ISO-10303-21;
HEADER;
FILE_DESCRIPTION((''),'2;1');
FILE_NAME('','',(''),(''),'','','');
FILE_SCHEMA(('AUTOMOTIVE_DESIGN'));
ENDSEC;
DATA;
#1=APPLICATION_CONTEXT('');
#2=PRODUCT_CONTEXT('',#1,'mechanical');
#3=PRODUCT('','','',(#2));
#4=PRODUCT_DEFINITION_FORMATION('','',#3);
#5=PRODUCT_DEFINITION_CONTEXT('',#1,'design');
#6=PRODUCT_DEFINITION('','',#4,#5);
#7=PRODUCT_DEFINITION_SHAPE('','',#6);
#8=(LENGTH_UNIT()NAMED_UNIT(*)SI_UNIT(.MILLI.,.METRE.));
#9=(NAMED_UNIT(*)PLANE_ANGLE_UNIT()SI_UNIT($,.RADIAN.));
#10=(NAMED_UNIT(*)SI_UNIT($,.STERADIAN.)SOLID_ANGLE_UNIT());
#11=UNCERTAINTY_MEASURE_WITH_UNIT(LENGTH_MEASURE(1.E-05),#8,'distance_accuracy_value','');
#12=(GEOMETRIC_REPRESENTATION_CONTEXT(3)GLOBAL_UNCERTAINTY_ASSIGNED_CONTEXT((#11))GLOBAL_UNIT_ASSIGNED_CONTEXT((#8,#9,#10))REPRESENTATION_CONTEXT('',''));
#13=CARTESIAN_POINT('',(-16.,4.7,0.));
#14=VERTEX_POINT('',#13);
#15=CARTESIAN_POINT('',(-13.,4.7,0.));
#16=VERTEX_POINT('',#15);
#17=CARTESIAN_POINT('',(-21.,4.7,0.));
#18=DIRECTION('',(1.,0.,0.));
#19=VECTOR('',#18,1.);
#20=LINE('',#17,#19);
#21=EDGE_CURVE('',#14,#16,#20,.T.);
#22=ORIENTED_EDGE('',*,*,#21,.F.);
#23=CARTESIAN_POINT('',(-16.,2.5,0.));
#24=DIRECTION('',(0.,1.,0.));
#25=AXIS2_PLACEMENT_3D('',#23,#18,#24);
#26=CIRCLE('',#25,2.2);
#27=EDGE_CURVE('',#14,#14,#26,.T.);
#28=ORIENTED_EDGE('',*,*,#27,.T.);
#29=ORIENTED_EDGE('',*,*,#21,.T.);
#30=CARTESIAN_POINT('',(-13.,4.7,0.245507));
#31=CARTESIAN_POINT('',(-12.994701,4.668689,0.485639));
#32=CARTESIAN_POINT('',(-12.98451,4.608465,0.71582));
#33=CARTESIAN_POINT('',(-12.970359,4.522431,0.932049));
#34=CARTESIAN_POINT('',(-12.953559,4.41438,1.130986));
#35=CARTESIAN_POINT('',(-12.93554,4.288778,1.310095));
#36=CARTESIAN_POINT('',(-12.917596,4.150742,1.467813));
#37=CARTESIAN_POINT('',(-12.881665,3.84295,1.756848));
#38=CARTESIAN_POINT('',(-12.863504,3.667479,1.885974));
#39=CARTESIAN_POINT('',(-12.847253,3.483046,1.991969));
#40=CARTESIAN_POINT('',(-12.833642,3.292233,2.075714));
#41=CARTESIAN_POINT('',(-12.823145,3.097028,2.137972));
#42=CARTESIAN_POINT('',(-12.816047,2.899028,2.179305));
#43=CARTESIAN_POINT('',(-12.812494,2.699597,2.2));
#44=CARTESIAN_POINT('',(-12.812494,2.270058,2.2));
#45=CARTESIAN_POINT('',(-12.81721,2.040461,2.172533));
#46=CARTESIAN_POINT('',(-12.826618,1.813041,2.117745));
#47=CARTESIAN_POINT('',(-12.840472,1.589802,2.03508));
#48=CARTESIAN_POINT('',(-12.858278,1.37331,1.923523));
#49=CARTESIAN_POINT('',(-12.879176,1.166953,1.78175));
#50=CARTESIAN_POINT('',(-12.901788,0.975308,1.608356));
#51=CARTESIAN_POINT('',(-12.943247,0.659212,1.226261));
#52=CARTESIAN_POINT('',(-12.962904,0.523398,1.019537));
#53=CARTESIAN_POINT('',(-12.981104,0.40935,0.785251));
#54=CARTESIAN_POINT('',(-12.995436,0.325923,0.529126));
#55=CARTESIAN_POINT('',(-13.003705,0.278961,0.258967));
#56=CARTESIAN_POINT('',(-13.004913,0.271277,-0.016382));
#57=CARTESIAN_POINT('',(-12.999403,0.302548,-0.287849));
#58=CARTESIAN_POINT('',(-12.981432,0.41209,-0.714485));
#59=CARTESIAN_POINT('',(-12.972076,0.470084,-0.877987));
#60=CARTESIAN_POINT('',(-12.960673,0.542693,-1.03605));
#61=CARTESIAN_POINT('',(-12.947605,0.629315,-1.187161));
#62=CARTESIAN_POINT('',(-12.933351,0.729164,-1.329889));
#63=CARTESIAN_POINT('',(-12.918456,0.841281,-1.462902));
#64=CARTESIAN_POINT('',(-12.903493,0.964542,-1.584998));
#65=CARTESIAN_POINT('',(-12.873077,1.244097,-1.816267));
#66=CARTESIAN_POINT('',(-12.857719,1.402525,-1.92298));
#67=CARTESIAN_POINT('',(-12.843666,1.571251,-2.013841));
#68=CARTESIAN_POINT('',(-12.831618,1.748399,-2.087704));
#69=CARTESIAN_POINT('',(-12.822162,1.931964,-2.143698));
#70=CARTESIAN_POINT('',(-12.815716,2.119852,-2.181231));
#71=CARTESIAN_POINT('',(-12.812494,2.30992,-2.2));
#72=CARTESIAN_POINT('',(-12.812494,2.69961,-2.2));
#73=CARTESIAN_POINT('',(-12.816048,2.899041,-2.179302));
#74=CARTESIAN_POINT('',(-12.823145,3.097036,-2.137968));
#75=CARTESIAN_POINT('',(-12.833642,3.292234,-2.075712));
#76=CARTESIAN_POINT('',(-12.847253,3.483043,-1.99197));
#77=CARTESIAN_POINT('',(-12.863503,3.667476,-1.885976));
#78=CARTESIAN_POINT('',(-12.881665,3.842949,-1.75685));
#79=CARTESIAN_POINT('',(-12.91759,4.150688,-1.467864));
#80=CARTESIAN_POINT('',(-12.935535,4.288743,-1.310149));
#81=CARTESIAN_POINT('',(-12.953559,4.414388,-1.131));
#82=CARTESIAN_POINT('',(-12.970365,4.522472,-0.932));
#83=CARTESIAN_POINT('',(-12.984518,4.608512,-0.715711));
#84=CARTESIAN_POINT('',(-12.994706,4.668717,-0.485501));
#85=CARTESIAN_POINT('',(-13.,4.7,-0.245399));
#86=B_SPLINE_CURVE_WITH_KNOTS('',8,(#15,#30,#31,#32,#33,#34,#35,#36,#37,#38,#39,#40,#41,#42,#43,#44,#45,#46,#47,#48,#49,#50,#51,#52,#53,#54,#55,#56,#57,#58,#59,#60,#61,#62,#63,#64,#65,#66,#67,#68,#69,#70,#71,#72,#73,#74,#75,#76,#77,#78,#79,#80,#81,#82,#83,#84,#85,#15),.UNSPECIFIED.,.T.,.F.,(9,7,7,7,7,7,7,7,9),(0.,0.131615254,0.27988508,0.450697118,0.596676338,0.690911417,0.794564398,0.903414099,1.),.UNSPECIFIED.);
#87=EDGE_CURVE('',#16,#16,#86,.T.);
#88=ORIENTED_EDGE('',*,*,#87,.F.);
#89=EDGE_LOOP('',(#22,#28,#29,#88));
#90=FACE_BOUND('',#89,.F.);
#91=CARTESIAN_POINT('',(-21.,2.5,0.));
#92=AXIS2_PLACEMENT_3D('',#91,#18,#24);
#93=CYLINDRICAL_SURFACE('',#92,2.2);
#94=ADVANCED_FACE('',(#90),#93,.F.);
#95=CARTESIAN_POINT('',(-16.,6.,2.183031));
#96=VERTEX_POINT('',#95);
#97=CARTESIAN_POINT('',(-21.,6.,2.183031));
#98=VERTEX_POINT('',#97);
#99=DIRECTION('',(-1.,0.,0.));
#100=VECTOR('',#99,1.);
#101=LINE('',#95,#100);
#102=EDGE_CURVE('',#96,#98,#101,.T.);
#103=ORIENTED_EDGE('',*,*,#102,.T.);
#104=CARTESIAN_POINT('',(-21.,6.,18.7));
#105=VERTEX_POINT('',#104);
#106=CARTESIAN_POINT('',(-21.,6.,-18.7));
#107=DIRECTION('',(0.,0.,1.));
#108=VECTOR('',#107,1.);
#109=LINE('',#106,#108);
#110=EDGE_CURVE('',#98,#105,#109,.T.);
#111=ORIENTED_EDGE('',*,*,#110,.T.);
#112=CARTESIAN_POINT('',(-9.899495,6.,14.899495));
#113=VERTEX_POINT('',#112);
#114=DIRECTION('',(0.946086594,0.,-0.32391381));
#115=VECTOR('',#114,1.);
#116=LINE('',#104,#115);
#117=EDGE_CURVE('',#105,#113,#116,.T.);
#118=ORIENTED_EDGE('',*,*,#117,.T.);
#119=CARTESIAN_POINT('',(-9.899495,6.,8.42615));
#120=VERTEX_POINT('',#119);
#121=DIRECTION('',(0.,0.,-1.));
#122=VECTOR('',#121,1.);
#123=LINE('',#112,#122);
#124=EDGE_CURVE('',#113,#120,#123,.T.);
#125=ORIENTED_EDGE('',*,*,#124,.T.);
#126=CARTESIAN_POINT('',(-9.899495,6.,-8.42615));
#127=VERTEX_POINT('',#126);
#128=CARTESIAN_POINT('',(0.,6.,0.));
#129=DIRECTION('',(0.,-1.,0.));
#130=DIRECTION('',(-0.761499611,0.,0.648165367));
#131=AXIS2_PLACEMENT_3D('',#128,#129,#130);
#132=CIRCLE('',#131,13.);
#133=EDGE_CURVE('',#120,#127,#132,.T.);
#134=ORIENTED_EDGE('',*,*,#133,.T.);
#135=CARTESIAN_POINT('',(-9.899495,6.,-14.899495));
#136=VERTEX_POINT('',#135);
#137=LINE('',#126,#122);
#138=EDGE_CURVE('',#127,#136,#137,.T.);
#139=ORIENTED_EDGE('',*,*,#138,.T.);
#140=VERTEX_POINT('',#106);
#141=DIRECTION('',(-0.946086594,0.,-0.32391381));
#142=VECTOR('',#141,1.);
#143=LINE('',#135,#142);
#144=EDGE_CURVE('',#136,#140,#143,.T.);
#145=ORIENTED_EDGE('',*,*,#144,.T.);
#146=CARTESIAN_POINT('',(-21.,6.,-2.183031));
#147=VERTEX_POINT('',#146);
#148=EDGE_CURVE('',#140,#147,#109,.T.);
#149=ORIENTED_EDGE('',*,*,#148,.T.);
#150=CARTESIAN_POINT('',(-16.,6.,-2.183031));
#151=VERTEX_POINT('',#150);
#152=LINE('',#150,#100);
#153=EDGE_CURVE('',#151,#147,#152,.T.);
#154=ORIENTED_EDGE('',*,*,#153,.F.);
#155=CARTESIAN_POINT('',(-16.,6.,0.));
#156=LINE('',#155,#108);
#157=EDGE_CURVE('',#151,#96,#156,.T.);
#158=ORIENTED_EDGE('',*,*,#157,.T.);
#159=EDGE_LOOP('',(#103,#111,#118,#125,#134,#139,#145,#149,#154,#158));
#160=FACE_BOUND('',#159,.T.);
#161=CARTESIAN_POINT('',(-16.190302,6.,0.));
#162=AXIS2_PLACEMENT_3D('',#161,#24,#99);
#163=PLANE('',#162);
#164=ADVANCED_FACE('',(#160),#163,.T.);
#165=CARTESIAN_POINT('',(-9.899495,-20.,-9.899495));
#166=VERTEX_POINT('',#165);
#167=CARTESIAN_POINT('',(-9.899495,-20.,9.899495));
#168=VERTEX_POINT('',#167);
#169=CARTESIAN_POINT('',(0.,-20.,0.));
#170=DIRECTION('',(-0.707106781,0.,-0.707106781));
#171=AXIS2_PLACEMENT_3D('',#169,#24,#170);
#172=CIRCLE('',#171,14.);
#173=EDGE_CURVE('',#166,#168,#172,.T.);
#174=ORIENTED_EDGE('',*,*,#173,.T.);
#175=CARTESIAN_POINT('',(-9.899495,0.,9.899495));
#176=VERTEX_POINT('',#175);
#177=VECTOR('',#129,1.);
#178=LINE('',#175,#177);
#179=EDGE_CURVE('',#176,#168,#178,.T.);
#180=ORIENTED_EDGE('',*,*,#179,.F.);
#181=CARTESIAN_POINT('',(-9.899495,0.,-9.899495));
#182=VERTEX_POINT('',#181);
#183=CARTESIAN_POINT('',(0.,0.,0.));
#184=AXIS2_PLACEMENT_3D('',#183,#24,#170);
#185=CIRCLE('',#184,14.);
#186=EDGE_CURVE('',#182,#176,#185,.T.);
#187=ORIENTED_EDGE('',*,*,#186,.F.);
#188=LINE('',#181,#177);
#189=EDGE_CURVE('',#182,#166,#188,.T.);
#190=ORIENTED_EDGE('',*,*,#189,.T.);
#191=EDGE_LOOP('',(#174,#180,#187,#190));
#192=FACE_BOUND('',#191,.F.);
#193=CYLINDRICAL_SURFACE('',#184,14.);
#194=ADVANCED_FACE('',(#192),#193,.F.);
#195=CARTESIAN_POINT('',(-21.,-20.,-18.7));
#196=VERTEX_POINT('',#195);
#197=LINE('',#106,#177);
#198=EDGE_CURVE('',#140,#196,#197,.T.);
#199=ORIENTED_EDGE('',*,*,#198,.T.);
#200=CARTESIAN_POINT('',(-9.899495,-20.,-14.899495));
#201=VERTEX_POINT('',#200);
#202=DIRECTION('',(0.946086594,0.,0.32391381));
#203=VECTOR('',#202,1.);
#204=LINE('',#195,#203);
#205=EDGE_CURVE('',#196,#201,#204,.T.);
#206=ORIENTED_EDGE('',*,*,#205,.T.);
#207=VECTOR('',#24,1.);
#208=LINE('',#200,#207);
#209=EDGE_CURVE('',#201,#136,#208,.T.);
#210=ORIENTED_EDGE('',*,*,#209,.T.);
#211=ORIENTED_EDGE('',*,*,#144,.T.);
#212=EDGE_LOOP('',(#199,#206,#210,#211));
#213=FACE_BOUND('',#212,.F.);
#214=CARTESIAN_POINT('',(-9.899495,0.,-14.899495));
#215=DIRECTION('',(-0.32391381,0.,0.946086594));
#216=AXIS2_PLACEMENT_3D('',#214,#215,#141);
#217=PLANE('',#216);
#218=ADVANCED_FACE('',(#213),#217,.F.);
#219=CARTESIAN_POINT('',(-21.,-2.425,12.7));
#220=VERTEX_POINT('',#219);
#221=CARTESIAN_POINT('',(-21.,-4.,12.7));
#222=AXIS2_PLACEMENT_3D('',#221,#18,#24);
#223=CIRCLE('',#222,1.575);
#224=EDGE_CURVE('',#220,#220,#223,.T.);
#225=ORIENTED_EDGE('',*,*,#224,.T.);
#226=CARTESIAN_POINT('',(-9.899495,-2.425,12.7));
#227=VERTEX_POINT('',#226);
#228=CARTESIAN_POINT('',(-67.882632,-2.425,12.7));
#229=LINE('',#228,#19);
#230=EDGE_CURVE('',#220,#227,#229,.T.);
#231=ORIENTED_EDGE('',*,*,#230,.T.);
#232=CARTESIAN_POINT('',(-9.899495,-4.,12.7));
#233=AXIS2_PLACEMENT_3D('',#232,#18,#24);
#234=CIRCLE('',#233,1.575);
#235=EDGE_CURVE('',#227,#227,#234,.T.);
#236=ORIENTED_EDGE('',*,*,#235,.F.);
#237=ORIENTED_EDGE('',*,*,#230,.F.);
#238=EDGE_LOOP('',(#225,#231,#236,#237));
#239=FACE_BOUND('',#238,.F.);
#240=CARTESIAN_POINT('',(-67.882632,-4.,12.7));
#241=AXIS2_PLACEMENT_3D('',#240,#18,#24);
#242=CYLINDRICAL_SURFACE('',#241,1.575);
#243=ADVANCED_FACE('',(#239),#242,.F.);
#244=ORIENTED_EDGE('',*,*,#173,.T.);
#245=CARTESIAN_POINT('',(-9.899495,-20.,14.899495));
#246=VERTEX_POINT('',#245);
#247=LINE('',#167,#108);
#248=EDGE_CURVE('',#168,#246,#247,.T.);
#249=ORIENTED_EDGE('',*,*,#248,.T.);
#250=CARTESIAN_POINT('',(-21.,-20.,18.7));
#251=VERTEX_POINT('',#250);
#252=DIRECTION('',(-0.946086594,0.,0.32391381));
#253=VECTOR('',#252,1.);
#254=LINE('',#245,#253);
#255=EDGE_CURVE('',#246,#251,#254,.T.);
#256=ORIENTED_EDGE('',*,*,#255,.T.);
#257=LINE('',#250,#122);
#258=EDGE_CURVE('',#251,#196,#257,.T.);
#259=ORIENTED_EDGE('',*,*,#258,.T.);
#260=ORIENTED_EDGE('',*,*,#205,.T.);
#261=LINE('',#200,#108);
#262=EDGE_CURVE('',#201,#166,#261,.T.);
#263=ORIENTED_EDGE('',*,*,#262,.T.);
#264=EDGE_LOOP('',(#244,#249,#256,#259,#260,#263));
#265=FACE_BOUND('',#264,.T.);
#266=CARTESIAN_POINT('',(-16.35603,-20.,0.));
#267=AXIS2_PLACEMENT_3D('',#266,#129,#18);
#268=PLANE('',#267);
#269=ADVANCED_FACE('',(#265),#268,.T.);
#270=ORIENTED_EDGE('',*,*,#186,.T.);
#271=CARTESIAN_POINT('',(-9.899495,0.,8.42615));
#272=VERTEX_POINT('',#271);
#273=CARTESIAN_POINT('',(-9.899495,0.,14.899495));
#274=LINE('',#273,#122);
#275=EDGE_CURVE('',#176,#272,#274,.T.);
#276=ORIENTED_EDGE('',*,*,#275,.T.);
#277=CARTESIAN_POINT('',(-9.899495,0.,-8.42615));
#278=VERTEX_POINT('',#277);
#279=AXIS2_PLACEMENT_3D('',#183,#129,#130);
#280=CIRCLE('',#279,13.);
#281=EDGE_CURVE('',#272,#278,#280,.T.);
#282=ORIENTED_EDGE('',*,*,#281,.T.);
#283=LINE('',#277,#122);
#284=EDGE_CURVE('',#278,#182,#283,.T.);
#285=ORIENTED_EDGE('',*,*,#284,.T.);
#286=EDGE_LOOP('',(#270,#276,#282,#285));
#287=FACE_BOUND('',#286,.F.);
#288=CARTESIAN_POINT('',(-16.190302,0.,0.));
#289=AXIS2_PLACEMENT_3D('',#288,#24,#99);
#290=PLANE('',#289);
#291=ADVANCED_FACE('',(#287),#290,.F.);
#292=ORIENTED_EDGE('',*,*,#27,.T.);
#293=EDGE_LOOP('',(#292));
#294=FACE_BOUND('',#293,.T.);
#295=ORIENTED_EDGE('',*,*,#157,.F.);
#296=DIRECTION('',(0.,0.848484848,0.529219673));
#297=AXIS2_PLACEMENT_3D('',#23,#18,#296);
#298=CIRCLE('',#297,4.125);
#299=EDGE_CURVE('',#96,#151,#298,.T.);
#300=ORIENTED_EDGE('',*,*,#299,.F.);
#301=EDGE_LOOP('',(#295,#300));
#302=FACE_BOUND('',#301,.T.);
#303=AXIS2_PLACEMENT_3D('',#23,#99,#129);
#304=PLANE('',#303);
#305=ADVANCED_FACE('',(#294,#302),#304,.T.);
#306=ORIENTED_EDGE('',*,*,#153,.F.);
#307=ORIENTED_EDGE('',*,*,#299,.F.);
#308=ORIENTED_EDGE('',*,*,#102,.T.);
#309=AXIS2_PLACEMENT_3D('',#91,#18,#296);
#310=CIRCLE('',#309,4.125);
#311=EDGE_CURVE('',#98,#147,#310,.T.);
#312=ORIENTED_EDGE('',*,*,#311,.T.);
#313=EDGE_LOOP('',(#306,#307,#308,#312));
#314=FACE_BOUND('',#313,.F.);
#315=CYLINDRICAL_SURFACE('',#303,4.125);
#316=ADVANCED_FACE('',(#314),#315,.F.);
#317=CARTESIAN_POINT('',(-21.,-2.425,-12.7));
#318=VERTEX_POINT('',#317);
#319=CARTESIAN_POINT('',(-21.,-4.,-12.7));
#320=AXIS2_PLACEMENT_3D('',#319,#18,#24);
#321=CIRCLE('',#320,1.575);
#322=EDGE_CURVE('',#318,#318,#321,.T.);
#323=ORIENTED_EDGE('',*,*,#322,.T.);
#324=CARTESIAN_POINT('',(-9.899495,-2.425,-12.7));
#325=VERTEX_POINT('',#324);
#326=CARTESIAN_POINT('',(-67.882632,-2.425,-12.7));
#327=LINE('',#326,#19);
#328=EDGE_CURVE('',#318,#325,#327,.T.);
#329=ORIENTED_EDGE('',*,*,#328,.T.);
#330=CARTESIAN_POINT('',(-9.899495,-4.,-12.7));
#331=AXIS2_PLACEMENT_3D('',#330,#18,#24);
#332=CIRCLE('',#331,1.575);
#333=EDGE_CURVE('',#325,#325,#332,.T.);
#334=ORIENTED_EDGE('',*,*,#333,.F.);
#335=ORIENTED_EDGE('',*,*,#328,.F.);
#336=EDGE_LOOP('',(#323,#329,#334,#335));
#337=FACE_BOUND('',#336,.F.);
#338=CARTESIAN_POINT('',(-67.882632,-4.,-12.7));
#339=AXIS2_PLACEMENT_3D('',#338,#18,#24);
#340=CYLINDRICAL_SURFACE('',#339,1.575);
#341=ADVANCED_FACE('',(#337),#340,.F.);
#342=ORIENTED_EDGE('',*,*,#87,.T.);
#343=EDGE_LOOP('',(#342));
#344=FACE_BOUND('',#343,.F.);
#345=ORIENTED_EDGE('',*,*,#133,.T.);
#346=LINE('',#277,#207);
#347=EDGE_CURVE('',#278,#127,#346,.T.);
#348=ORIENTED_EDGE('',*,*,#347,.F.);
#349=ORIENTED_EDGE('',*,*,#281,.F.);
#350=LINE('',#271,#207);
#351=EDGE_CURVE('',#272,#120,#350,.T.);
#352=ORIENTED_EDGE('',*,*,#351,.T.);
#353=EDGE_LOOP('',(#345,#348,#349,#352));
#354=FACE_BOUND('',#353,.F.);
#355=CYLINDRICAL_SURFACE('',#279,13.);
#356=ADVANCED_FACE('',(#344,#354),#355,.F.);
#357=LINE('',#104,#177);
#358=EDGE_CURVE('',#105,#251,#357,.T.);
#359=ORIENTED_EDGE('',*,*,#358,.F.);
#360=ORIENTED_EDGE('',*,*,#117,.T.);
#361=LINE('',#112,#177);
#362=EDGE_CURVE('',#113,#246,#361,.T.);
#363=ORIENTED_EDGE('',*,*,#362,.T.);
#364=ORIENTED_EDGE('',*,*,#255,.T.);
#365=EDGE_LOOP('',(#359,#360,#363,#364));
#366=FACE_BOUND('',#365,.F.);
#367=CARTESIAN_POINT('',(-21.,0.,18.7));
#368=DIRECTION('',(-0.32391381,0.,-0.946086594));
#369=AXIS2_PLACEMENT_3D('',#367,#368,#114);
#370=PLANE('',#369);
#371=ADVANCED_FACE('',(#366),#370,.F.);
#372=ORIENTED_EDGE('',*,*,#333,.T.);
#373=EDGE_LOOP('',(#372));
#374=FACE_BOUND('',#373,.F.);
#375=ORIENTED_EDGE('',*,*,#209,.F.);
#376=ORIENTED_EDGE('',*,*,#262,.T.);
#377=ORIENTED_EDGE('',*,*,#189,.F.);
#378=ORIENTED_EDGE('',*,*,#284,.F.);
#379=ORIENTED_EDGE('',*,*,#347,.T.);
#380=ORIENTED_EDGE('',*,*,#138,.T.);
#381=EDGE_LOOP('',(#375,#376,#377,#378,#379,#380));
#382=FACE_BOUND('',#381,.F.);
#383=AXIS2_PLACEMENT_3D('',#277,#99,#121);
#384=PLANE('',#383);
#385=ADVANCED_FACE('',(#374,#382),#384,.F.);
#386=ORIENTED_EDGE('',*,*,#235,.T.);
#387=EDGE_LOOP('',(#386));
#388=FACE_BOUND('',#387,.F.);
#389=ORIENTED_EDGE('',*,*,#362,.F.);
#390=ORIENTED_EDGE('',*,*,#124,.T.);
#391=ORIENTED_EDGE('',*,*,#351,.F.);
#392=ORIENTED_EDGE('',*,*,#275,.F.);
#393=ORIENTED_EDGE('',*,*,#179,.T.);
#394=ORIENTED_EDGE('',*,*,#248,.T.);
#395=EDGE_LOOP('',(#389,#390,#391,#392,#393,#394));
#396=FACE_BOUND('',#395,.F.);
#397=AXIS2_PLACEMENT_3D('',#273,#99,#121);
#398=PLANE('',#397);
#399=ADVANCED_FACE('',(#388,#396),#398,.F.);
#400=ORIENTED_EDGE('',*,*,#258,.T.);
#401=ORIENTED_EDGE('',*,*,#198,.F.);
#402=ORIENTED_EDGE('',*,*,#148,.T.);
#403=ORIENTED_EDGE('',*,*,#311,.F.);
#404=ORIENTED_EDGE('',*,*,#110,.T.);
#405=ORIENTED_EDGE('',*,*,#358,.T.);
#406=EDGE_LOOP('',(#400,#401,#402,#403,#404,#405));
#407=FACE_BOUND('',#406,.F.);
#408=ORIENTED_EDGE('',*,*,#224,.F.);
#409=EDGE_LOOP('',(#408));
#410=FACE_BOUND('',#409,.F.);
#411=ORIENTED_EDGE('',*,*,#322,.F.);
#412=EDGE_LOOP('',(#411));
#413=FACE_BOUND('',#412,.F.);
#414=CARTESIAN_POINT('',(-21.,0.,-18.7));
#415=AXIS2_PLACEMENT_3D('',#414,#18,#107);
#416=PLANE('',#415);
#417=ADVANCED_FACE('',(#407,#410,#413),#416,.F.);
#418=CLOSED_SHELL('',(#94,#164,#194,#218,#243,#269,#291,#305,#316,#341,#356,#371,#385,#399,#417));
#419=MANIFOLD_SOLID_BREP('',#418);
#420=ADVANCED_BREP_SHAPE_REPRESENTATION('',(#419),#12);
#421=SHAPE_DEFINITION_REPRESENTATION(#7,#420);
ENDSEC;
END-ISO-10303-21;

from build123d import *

# Parameters (mm, degrees)
F2_DEPTH       = 20
F4_DEPTH       = 6
F6_D           = 3.15
F7_D           = 4.4
F7_CBORE_D     = 8.25
F7_CBORE_DEPTH = 5


with BuildPart() as f2:
    # F1 (on Front) → F2 (new body)
    with BuildSketch(Plane.XZ):
        with BuildLine():
            ThreePointArc((-9.8994949366, -9.8994949366), (-14, 0), (-9.8994949366, 9.8994949366))
            Line((-9.8994949366, 9.8994949366), (-9.8994949366, 14.8994949366))
            Line((-9.8994949366, 14.8994949366), (-21, 18.7))
            Line((-21, 18.7), (-21, -18.7))
            Line((-21, -18.7), (-9.8994949366, -14.8994949366))
            Line((-9.8994949366, -14.8994949366), (-9.8994949366, -9.8994949366))
        make_face()
    extrude(amount=F2_DEPTH)

    # F3 (on face) → F4 (join)
    with BuildSketch(Plane(origin=(0, 0, 0), x_dir=(-1, 0, 0), z_dir=(0, 1, 0))):
        with BuildLine():
            Line((9.8994949366, 14.8994949366), (9.8994949366, 8.4261497732))
            ThreePointArc((9.8994949366, 8.4261497732), (13, 0), (9.8994949366, -8.4261497732))
            Line((9.8994949366, -8.4261497732), (9.8994949366, -14.8994949366))
            Line((9.8994949366, -14.8994949366), (21, -18.7))
            Line((21, -18.7), (21, 18.7))
            Line((21, 18.7), (9.8994949366, 14.8994949366))
        make_face()
    extrude(amount=F4_DEPTH)

    # F6 (through all)
    with Locations(Plane(origin=(-21, 0, 0), x_dir=(0, -1, 0), z_dir=(-1, 0, 0))):
        with Locations((4, 12.7), (4, -12.7)):
            Hole(F6_D / 2)

    # F7 (through all)
    with Locations(Plane(origin=(-21, 0, 0), x_dir=(0, -1, 0), z_dir=(-1, 0, 0))):
        with Locations((-2.5, 0)):
            CounterBoreHole(F7_D / 2, F7_CBORE_D / 2, F7_CBORE_DEPTH)


solid = f2.part
